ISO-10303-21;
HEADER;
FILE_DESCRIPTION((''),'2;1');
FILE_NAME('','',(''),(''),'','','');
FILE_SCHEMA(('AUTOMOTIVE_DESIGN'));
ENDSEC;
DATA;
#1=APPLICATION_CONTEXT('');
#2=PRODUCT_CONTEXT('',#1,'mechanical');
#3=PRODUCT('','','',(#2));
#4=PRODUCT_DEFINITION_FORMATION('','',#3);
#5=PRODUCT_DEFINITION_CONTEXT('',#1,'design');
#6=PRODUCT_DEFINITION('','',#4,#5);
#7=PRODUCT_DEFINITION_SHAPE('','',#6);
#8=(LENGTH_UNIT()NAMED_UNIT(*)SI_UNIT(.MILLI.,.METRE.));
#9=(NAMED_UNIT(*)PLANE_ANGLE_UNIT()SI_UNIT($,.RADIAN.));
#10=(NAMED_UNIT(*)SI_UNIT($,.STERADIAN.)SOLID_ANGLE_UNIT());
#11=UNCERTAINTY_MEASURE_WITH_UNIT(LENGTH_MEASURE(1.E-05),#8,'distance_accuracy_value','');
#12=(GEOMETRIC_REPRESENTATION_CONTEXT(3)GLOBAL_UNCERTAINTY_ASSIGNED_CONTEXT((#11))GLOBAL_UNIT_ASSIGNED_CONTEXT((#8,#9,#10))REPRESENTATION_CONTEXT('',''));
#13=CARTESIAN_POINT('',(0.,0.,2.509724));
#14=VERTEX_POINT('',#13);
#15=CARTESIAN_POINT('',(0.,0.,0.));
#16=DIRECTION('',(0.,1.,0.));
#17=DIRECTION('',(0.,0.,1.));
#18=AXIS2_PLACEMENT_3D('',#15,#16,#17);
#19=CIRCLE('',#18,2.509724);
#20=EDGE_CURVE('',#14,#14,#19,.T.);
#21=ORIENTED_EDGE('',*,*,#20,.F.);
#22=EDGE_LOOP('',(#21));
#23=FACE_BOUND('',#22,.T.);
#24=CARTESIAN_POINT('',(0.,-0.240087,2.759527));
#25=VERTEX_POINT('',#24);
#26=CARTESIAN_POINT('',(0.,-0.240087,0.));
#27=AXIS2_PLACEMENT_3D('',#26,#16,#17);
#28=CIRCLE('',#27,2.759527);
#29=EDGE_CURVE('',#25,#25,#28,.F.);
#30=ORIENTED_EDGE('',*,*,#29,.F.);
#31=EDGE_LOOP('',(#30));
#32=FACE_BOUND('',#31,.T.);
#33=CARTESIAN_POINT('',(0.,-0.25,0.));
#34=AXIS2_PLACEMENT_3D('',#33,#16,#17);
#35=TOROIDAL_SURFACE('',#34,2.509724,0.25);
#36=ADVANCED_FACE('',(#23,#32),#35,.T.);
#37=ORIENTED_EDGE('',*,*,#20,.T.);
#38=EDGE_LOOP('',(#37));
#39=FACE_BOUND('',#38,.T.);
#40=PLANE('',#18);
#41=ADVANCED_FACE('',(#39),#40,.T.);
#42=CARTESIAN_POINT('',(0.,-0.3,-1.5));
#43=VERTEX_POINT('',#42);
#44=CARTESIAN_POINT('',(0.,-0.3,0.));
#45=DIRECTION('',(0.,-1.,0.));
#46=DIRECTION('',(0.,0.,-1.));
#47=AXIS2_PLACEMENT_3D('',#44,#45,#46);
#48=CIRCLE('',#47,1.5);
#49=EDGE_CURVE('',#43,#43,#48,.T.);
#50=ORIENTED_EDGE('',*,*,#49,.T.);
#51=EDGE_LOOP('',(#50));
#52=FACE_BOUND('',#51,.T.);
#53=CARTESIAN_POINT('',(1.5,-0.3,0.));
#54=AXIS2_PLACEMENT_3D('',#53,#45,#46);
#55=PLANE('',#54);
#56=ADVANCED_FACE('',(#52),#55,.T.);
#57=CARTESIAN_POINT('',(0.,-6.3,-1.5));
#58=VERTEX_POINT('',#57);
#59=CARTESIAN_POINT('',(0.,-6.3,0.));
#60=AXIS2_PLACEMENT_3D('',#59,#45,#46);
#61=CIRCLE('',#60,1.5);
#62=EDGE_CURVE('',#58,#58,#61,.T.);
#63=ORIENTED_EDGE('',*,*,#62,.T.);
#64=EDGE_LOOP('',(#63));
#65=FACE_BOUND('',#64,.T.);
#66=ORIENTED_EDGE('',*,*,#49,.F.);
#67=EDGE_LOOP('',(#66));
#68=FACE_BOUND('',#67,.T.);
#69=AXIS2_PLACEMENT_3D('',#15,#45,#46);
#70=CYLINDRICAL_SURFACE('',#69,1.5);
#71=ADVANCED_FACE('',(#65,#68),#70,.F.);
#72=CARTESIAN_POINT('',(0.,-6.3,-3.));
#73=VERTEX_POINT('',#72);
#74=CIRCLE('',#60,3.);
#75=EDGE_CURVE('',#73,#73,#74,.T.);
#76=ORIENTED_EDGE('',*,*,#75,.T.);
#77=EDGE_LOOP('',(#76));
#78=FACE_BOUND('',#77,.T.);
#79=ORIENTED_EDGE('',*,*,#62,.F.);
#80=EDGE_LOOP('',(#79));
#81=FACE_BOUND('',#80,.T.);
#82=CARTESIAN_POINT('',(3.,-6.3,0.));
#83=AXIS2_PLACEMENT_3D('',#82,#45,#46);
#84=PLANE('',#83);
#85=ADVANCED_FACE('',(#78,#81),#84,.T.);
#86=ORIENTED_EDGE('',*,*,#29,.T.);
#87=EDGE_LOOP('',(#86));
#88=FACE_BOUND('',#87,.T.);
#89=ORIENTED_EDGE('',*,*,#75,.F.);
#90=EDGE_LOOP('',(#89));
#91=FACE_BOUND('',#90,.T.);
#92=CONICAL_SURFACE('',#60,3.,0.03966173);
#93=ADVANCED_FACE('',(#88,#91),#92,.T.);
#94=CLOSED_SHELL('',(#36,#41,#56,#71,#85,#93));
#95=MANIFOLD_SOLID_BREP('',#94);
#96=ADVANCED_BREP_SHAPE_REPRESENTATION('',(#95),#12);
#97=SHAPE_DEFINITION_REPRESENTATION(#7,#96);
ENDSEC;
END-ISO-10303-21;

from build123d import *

# Parameters (mm, degrees)
FILLET1_R = 0.25


with BuildPart() as part:
    # Sketch1 → Revolve1 (revolve)
    with BuildSketch(Plane.XY, mode=Mode.PRIVATE) as revolve1_sk:
        Polygon((0, 0), (2.75, 0), (3, -6.3), (1.5, -6.3), (1.5, -0.3), (0, -0.3), align=None)
    revolve(revolve1_sk.sketch.rotate(Axis((0, 0, 0), (0, 1, 0)), 90), axis=Axis((0, 0, 0), (0, 1, 0)))

    # Fillet1
    fillet1_edges = [part.edges().sort_by_distance(p)[0] for p in [
        (0, 0, 2.75),
    ]]
    fillet(fillet1_edges, radius=FILLET1_R)


solid = part.part
